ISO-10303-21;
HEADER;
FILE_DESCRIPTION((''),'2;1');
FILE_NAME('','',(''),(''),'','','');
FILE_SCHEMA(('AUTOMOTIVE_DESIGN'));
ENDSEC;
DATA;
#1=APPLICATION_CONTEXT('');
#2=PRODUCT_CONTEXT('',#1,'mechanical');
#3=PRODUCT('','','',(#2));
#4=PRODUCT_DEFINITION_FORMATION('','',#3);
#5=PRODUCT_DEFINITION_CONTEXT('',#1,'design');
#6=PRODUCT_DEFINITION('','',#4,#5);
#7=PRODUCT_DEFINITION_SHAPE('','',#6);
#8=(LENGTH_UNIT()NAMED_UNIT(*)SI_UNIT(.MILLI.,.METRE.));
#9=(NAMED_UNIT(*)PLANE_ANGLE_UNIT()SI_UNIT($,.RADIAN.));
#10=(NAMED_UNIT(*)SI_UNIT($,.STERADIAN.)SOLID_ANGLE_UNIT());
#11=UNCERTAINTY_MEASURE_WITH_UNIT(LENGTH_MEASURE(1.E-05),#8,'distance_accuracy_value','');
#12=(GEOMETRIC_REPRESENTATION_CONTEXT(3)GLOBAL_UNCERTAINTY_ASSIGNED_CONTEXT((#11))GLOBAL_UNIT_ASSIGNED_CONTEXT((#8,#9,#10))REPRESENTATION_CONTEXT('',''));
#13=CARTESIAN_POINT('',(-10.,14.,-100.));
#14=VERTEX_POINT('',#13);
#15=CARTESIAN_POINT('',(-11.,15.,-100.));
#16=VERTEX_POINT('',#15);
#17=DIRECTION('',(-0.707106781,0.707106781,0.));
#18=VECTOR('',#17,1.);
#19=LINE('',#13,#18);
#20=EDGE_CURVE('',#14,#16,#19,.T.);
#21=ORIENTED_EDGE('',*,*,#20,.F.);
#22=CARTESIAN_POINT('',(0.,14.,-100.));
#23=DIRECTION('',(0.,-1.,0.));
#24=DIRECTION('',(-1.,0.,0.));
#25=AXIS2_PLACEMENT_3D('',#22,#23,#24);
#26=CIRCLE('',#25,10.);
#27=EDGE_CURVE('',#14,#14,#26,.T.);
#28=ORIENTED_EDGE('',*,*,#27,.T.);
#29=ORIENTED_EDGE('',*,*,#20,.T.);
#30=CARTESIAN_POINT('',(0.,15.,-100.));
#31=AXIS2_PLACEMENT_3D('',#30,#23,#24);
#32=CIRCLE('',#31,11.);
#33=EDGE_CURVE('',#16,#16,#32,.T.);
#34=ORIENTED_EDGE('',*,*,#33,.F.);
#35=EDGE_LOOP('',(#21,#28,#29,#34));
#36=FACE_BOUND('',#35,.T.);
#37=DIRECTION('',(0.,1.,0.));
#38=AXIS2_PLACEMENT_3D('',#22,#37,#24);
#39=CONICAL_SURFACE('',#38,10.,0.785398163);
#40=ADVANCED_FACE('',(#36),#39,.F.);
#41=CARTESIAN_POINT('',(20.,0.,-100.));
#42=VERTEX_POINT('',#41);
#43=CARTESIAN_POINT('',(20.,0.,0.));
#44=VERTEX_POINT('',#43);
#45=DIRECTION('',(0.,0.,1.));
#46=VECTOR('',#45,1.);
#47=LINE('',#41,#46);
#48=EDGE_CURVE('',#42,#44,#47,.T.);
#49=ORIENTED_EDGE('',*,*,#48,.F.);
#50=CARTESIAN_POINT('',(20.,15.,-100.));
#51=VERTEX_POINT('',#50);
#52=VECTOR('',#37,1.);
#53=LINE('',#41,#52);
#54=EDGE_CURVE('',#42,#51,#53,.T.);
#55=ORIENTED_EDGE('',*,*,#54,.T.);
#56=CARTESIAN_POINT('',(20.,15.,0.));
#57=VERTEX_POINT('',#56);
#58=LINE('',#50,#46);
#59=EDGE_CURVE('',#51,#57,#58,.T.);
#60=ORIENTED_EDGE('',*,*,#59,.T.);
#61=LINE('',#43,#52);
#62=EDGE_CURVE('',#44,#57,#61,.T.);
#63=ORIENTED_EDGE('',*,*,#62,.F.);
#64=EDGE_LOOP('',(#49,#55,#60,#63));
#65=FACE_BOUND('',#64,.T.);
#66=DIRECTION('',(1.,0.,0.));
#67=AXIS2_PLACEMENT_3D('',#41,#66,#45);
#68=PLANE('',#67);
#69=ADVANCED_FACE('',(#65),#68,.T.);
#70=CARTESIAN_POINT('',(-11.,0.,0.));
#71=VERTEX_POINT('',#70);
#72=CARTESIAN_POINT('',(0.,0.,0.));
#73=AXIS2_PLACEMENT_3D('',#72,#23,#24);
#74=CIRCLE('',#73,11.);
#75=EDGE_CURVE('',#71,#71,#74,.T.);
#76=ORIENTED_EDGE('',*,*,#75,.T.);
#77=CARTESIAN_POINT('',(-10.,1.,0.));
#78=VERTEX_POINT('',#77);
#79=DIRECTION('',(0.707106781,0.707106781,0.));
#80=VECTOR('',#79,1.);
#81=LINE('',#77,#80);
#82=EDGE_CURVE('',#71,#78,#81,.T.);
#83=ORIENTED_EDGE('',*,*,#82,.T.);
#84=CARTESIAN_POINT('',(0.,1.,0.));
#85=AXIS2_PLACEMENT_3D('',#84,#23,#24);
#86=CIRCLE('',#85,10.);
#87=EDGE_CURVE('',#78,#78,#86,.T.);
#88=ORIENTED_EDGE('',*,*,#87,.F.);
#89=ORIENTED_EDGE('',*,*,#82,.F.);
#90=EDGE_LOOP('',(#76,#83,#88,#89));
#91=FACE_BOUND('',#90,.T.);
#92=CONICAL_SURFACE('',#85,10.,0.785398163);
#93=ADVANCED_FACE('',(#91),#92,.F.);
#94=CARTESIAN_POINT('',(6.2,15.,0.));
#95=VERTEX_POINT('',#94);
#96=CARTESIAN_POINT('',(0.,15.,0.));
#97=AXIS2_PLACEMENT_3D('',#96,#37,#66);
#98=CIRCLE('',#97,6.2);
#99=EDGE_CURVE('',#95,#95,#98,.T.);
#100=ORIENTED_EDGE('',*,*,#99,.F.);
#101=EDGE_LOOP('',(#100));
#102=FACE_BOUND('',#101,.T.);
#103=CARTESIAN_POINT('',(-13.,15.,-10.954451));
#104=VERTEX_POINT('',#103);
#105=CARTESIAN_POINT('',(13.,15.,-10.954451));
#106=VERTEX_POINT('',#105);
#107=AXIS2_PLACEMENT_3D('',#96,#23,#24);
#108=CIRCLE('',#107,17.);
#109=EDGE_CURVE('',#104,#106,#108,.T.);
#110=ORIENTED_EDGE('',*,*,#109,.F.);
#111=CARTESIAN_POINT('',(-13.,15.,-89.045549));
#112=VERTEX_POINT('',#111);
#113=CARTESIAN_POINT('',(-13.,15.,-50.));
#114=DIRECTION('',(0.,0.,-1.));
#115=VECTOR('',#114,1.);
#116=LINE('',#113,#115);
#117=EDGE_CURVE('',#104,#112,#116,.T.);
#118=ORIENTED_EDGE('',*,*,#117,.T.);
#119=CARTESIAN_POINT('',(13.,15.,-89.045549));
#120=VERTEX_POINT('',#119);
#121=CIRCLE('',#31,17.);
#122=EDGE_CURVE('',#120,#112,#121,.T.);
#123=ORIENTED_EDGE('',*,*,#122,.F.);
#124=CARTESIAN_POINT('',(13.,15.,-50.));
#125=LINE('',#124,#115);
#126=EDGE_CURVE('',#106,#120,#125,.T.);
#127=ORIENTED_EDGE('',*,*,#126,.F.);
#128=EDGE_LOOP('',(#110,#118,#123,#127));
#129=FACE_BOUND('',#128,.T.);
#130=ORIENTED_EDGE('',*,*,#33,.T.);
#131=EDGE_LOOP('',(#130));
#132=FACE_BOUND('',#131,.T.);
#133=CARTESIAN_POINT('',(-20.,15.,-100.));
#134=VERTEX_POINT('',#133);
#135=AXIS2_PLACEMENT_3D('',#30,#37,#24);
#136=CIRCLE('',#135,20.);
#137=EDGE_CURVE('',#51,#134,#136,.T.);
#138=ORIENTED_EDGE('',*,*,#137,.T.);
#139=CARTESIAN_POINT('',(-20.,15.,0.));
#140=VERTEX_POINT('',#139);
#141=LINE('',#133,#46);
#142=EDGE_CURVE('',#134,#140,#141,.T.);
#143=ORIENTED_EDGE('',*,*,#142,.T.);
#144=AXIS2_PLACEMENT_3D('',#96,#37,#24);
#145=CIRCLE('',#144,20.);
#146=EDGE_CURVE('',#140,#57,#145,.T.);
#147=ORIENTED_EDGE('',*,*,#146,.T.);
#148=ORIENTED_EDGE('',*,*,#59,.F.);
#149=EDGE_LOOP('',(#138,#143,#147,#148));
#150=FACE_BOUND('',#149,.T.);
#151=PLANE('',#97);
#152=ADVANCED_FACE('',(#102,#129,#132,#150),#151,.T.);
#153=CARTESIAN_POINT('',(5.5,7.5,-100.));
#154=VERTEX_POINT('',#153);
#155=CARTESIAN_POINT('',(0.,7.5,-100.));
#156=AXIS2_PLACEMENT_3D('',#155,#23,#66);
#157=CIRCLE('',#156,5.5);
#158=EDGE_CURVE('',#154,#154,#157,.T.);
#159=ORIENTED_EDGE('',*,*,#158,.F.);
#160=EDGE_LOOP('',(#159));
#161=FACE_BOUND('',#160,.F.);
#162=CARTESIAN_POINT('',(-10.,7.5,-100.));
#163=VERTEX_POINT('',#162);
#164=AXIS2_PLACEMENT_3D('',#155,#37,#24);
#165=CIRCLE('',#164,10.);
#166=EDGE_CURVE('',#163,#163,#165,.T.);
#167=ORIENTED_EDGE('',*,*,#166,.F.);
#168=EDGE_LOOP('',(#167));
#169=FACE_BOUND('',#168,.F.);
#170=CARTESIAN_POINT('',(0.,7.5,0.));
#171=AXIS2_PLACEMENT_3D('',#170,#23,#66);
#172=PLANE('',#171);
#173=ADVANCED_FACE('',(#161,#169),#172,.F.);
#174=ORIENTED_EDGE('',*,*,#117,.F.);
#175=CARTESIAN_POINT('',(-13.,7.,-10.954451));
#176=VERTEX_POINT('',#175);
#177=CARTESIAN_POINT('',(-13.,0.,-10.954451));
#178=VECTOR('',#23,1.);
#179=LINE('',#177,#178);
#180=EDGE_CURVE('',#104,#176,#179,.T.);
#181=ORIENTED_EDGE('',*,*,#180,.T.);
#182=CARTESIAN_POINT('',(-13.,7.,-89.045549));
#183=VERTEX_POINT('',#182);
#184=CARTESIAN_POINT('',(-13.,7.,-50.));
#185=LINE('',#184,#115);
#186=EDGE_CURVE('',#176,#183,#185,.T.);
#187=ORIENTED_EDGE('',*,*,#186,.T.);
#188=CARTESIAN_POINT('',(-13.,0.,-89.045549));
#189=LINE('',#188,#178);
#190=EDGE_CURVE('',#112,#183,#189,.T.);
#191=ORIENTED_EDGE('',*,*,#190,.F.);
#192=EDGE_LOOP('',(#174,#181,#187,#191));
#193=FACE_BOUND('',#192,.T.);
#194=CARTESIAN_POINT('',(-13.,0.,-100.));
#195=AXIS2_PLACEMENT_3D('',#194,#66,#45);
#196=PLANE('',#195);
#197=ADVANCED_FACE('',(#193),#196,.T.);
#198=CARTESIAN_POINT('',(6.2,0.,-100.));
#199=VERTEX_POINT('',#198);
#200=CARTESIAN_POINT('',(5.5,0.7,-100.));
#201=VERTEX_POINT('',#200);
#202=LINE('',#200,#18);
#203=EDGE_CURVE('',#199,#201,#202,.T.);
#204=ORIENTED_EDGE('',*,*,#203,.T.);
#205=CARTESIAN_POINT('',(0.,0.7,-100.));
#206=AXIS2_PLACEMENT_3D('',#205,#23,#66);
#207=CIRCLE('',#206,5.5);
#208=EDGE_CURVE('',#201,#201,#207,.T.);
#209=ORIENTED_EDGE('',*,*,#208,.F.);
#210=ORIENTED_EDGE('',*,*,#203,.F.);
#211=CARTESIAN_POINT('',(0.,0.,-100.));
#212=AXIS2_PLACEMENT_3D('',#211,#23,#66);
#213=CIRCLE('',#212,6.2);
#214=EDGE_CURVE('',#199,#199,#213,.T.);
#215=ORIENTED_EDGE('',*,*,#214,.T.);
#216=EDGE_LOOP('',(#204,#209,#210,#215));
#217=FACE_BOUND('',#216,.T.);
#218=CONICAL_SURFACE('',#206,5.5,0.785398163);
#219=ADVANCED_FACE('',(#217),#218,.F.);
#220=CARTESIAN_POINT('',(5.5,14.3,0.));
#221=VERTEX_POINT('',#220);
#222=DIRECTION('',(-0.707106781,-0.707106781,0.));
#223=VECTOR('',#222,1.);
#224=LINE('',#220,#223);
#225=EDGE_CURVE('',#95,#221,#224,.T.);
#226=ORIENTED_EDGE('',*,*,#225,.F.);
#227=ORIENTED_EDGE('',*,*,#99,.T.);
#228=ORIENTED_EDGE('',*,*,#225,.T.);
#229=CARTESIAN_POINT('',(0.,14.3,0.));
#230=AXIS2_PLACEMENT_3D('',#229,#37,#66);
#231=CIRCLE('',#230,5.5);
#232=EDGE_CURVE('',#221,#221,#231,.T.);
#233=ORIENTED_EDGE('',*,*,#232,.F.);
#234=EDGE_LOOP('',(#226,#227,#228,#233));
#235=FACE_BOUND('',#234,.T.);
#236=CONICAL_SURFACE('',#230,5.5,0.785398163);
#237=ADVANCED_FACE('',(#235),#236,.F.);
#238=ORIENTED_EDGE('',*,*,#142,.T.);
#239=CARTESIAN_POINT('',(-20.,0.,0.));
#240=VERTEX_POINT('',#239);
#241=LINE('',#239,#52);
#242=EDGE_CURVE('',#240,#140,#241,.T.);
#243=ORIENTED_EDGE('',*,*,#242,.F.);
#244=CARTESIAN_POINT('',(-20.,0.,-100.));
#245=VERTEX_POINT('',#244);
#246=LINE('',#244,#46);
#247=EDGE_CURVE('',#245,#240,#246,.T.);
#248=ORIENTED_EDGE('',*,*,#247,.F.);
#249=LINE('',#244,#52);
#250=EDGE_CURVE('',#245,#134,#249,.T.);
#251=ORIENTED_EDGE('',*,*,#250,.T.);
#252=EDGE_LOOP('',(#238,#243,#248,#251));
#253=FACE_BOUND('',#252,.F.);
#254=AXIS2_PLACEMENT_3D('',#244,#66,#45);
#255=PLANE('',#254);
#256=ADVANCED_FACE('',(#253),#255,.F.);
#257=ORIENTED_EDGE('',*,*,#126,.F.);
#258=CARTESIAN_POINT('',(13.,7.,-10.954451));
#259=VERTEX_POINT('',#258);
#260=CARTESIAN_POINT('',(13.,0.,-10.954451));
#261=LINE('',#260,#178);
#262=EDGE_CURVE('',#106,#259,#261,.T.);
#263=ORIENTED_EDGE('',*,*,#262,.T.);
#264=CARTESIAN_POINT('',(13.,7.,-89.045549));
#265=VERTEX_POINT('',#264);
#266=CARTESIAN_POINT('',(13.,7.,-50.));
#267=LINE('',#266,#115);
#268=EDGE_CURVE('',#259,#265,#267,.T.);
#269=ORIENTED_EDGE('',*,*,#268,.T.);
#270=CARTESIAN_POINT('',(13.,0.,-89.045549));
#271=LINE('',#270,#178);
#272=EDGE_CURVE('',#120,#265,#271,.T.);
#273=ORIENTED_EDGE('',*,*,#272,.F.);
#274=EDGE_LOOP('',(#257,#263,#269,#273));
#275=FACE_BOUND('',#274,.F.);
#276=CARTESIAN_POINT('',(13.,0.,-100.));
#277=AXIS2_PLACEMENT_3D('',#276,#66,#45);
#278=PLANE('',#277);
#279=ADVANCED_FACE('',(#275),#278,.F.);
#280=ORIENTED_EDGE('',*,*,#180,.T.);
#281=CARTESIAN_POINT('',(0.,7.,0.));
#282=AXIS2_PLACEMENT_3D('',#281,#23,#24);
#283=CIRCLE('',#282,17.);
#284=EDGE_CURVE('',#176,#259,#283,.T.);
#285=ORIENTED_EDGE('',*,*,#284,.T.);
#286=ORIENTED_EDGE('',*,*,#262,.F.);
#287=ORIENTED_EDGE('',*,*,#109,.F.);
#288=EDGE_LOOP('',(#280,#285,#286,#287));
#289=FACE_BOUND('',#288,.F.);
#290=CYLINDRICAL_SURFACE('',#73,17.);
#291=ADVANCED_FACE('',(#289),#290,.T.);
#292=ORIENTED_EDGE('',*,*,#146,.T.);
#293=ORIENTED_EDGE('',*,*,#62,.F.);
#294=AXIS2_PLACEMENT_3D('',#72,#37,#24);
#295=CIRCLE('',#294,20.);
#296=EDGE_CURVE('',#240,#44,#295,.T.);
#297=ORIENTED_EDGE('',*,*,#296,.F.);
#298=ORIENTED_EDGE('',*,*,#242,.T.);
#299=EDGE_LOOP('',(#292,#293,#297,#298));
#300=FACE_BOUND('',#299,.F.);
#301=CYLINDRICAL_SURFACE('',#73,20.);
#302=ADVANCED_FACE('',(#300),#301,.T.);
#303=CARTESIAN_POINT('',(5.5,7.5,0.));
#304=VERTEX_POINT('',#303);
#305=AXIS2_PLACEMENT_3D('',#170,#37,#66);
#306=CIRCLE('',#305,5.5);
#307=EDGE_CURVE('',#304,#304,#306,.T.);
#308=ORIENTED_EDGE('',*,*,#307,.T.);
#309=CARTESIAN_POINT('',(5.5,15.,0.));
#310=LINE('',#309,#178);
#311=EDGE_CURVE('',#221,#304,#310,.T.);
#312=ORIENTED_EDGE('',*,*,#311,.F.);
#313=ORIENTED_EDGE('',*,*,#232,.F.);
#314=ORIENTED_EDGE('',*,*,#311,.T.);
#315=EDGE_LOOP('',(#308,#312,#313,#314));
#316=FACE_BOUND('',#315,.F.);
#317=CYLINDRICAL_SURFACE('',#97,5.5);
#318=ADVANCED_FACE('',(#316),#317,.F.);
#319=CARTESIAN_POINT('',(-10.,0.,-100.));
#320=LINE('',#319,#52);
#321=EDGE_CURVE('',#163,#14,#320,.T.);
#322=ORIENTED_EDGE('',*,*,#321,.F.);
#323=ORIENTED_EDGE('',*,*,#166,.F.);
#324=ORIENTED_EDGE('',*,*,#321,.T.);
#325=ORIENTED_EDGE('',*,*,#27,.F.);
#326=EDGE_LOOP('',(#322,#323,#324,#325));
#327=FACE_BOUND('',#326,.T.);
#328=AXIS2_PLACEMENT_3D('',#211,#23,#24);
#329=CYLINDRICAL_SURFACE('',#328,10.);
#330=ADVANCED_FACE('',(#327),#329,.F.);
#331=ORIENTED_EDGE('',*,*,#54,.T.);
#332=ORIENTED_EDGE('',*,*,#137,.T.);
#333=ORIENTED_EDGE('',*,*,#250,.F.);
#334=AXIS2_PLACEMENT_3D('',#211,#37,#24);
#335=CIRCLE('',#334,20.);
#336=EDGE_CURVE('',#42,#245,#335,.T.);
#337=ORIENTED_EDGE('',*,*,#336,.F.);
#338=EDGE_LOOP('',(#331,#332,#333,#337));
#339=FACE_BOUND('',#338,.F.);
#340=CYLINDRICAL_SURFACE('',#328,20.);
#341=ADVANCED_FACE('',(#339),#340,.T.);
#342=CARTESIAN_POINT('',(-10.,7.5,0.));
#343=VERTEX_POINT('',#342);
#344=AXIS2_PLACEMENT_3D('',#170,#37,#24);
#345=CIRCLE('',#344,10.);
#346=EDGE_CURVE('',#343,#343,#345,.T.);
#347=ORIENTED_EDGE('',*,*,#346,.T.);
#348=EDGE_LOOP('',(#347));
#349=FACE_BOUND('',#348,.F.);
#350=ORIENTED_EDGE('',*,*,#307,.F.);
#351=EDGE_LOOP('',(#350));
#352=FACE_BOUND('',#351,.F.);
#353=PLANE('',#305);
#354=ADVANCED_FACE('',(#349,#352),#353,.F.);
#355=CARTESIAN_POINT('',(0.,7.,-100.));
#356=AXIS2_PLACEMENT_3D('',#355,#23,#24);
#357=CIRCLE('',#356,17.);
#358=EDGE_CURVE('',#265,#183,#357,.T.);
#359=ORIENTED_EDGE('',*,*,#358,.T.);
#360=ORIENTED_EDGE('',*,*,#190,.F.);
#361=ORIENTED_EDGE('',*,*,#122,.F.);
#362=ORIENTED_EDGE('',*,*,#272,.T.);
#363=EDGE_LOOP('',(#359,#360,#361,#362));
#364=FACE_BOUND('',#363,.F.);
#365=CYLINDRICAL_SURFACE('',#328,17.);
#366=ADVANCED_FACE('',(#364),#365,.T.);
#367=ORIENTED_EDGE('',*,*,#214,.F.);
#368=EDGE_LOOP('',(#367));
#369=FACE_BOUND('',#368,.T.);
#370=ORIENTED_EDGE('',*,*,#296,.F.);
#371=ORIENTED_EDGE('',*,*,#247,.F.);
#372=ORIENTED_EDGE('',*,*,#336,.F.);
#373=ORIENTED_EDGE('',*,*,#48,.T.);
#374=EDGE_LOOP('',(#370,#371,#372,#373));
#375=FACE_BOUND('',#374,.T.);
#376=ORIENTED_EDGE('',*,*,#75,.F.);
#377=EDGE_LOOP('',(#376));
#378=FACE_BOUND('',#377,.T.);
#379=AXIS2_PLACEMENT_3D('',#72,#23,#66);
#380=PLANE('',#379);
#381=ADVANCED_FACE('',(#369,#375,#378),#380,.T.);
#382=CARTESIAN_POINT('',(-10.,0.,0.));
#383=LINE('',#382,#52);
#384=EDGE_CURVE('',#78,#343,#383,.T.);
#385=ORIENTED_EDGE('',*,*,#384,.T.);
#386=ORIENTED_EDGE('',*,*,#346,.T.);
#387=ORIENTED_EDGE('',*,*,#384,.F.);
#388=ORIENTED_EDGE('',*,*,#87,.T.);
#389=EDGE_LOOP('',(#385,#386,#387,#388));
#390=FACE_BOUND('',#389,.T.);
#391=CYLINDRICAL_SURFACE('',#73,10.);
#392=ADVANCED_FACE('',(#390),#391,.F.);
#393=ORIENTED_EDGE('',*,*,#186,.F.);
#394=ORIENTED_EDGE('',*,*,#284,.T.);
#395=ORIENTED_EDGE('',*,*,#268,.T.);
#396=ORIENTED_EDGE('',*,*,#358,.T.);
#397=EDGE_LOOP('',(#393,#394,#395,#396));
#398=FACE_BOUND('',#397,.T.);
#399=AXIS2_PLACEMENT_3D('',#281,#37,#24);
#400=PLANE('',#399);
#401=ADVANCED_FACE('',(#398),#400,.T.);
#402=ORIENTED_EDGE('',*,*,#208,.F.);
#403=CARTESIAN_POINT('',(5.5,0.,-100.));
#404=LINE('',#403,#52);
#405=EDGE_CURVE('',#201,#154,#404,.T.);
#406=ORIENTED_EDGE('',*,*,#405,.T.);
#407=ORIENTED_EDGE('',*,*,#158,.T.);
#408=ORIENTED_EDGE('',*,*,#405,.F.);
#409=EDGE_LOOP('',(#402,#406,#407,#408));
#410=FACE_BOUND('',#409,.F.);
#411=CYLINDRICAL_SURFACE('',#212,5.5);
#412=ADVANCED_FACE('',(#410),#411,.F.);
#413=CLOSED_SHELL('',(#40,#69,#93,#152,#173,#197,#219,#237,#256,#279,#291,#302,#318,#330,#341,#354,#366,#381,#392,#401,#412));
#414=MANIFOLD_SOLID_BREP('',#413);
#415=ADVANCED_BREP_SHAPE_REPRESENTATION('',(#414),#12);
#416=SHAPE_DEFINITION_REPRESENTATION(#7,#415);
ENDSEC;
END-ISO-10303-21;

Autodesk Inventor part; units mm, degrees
ref_plane "YZ Plane" through (0, 0, 0) normal (1, 0, 0) x (0, 1, 0)
ref_plane "XZ Plane" through (0, 0, 0) normal (0, 1, 0) x (-1, 0, 0)
ref_plane "XY Plane" through (0, 0, 0) normal (0, 0, 1) x (1, 0, 0)
sketch "Sketch1" plane through (0, 0, 0) normal (0, 1, 0) x (-1, 0, 0)
  circle A0 centre (0, 0) radius 10
  circle A1 centre (0, 0) radius 20
  line L0 (0, 0) -> (0, -100)
  circle A2 centre (0, -100) radius 10
  circle A3 centre (0, -100) radius 20
  line L1 (0, -100) -> (20, -100)
  line L2 (20, -100) -> (20, 0)
  line L3 (20, 0) -> (0, 0)
  line L4 (0, 0) -> (0, -100)
  line L5 (0, -100) -> (-20, -100)
  line L6 (-20, -100) -> (-20, 0)
  line L7 (-20, 0) -> (0, 0)
  line L8 (0, 0) -> (0, -100)
  point P0 (20, -100)
  dimension "d0" = 20
  dimension "d4" = 40
  dimension "d23" = 20
  dimension "d24" = 40
extrude "Extrusion1" add sketch "Sketch1" along normal blind 15 contours L3 A1 L0 A0 | A0 L7 A1 L3 | A0 L0 A1 L7 | L2 A3 L0 A1 | A1 L0 A3 L6 | L1 A2 L0 A3 | A3 L5 A2 L1 | A3 L0 A2 L5
shell "Shell2" thickness 7 removed faces 1 at (-15.2269, 15, -36.0766)
sketch "Sketch8" plane through (0, 15, 0) normal (0, 1, 0) x (1, 0, 0)
  line L0 (-13, 10.9545) -> (-13, 89.0455) projected
  arc A0 (-13, 89.0455) -> (13, 89.0455) centre (0, 100) ccw projected
  line L1 (13, 89.0455) -> (13, 10.9545) projected
  arc A1 (13, 10.9545) -> (-13, 10.9545) centre (0, 0) ccw projected
  arc A2 (-20, 0) -> (20, 0) centre (0, 0) ccw projected
  line L2 (20, 0) -> (20, 100) projected
  arc A3 (20, 100) -> (-20, 100) centre (0, 100) ccw projected
  line L3 (-20, 100) -> (-20, 0) projected
  circle A4 centre (0, 0) radius 10 projected
  circle A5 centre (0, 100) radius 10 projected
  circle A6 centre (0, 0) radius 5.5
  circle A7 centre (0, 100) radius 5.5
  dimension "d26" = 11
  dimension "d27" = 11
extrude "Extrusion8" add sketch "Sketch8" against normal blind 7.5 contours A4
sketch "Sketch9" plane through (0, 0, 0) normal (0, -1, 0) x (1, 0, 0)
  arc A0 (20, 0) -> (-20, 0) centre (0, 0) ccw projected
  line L0 (-20, -100) -> (-20, 0) projected
  arc A1 (-20, -100) -> (20, -100) centre (0, -100) ccw projected
  line L1 (20, 0) -> (20, -100) projected
  circle A2 centre (0, 0) radius 10 projected
  circle A3 centre (0, -100) radius 10 projected
  circle A4 centre (0, -100) radius 5.5
  dimension "d30" = 11
extrude "Extrusion9" add sketch "Sketch9" against normal blind 7.5 contours A3
chamfer "Chamfer1" distance 1 angle 45 2 edges at (10, 15, -100) (10, 0, 0)
chamfer "Chamfer2" distance 0.7 angle 45 2 edges at (-5.5, 15, 0) (-5.5, 0, -100)
properties part number "ramię_korby" material "ABS Plastic"
